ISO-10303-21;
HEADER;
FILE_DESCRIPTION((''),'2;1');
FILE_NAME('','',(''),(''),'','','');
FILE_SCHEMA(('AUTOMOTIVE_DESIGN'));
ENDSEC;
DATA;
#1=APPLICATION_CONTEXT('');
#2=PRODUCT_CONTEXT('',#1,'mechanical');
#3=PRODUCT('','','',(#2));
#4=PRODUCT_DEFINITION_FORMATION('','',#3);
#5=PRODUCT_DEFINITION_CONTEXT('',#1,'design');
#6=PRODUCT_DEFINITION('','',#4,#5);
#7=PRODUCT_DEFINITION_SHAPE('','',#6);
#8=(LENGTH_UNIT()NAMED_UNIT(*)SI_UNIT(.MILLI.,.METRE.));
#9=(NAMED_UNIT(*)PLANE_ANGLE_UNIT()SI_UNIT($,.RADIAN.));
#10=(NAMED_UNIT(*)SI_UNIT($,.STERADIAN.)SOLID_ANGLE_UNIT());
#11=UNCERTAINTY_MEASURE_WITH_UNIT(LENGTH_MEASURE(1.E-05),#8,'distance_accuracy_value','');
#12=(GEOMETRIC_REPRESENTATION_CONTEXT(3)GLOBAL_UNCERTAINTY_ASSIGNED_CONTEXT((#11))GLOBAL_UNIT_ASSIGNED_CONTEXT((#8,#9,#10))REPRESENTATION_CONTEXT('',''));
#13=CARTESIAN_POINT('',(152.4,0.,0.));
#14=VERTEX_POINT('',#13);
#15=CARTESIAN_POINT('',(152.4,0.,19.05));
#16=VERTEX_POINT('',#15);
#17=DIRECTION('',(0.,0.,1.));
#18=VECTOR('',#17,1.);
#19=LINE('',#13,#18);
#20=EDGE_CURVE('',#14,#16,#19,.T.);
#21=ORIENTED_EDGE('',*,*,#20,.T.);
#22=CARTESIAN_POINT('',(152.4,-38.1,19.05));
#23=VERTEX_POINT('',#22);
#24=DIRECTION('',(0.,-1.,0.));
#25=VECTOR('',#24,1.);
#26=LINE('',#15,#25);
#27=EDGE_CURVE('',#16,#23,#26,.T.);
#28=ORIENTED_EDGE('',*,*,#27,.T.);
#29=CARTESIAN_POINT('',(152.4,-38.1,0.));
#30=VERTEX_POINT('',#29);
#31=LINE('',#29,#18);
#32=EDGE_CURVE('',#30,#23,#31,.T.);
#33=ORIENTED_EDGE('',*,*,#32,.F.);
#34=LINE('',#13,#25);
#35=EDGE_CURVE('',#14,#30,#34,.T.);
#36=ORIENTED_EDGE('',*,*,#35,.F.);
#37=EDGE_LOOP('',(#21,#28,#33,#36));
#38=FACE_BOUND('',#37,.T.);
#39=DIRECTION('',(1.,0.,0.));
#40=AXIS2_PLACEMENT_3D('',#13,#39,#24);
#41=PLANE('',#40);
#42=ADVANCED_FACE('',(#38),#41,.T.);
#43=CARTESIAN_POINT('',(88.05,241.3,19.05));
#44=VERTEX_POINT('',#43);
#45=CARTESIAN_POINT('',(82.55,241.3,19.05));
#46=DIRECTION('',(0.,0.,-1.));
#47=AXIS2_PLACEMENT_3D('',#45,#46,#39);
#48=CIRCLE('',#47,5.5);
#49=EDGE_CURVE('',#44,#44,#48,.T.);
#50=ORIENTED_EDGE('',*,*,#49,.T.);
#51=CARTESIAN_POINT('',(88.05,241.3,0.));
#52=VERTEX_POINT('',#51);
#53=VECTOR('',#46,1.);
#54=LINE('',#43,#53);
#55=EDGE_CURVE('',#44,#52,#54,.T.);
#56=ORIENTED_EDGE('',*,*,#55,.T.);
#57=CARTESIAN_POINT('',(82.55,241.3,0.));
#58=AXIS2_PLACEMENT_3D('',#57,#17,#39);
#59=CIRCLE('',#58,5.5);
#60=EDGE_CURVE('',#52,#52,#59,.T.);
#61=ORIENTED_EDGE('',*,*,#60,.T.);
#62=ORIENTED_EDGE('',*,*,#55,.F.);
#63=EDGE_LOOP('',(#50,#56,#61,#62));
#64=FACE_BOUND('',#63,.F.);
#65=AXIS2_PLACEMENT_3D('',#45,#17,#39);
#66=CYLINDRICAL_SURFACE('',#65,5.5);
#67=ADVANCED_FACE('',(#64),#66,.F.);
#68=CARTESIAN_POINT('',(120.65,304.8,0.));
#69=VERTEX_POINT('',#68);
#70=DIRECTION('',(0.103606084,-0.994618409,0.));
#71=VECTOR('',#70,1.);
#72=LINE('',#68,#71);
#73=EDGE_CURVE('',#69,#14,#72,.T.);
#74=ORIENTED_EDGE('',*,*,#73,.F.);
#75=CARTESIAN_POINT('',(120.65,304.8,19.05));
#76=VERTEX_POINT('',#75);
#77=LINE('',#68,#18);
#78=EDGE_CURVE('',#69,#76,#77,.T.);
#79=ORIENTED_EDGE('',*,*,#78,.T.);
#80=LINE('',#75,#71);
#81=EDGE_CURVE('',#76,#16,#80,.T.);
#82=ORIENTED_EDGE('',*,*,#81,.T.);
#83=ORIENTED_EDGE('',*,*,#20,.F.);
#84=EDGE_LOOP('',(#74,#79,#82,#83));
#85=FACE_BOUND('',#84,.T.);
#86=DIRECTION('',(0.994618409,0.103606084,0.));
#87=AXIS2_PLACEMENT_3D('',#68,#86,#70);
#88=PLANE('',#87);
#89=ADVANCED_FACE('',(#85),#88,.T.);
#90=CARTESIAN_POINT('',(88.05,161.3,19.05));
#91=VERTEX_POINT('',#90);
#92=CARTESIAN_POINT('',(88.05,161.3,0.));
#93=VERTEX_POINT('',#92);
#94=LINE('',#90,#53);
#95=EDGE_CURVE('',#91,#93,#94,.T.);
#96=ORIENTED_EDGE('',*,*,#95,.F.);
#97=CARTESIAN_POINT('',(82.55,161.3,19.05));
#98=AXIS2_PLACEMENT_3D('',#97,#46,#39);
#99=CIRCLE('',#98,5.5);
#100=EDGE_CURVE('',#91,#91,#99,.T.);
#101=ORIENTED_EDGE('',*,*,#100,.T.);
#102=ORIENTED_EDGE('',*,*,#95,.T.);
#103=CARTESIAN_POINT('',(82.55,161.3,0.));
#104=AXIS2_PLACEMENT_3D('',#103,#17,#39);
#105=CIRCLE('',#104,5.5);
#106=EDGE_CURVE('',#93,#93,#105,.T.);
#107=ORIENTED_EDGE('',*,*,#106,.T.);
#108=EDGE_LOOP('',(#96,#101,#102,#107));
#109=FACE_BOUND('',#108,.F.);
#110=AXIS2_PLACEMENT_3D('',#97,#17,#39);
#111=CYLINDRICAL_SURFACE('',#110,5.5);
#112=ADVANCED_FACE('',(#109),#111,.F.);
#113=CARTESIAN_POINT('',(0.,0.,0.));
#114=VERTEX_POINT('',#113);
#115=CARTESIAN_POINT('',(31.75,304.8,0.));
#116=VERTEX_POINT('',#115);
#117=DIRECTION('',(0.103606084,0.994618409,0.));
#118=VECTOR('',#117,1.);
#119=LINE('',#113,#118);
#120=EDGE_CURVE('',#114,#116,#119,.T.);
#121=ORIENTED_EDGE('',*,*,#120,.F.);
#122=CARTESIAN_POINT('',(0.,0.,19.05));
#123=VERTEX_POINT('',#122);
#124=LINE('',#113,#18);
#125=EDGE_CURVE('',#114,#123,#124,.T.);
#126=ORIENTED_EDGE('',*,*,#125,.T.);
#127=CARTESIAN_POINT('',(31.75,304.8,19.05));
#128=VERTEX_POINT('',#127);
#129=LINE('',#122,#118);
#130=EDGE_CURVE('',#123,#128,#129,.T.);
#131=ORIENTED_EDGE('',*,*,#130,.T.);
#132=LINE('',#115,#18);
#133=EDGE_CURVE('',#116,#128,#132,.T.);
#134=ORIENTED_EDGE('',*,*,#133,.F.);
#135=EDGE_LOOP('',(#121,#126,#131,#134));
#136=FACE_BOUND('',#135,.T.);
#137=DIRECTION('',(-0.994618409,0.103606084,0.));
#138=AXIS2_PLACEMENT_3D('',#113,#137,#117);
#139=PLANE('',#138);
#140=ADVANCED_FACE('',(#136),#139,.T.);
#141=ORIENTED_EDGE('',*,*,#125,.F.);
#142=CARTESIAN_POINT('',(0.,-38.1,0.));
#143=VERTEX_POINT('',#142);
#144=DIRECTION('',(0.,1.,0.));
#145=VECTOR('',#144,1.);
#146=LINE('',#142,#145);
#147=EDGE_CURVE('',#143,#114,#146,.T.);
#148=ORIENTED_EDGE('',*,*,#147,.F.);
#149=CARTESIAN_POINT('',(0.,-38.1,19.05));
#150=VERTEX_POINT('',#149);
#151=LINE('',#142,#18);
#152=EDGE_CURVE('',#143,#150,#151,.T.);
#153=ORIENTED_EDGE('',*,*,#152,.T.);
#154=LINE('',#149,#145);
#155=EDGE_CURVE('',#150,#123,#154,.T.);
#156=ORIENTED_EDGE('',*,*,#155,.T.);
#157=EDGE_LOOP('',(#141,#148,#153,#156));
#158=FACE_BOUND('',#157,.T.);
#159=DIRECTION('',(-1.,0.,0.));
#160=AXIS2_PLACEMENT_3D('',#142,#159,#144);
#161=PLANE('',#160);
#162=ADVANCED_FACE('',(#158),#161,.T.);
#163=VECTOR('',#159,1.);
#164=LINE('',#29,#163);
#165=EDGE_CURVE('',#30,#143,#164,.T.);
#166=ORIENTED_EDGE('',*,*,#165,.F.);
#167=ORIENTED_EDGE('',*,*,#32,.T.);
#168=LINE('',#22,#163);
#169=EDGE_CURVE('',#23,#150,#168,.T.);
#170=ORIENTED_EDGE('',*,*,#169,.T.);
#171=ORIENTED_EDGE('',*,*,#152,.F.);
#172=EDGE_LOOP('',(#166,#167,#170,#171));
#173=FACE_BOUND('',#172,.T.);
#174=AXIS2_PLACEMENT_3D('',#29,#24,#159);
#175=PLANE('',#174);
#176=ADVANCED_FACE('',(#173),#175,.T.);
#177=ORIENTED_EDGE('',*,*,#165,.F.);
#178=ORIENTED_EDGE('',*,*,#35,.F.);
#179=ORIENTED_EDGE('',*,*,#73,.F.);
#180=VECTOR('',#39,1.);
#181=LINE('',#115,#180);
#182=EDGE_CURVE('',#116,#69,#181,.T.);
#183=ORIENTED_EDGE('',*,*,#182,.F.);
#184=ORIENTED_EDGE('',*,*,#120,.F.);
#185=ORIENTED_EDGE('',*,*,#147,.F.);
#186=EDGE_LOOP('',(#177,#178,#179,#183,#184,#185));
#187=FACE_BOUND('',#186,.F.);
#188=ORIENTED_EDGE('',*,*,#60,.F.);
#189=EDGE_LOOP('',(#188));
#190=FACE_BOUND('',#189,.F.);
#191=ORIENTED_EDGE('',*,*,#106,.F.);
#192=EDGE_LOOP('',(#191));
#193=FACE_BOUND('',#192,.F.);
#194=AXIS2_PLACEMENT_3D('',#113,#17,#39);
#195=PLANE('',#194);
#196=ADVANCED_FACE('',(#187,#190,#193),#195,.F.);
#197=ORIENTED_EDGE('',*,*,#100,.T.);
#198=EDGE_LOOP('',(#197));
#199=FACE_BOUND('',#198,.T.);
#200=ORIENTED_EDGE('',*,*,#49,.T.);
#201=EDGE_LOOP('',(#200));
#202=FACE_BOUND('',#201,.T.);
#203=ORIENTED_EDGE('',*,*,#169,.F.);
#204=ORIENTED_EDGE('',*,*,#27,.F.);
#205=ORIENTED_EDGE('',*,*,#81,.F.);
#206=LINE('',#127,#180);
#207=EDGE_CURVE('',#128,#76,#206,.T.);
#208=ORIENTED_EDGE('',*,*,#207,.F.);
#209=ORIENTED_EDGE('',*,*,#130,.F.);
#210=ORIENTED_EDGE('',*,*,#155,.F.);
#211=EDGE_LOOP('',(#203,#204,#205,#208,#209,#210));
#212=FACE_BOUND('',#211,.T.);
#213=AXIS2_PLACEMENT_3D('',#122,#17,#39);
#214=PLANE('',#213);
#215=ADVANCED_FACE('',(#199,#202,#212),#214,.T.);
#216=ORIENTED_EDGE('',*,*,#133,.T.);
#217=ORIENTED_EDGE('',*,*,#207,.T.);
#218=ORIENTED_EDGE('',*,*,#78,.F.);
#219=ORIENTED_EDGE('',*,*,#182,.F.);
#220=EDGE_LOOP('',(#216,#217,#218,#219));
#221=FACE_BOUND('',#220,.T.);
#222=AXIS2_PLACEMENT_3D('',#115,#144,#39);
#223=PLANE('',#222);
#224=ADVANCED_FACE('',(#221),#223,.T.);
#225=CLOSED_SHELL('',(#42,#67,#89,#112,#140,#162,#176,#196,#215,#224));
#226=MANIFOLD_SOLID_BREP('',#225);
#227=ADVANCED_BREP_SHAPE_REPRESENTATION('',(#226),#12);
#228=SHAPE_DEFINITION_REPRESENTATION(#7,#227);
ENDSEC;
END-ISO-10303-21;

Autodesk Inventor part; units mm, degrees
ref_plane "YZ Plane" through (0, 0, 0) normal (1, 0, 0) x (0, 1, 0)
ref_plane "XZ Plane" through (0, 0, 0) normal (0, 1, 0) x (-1, 0, 0)
ref_plane "XY Plane" through (0, 0, 0) normal (0, 0, 1) x (1, 0, 0)
sketch "Sketch1" plane through (0, 0, 0) normal (0, 0, 1) x (1, 0, 0)
  line L0 (0, 0) -> (152.4, 0)
  line L1 (152.4, 0) -> (152.4, -38.1)
  line L2 (152.4, -38.1) -> (0, -38.1)
  line L3 (0, -38.1) -> (0, 0)
  line L4 (0, 0) -> (31.75, 304.8)
  line L5 (31.75, 304.8) -> (120.65, 304.8)
  line L6 (120.65, 304.8) -> (152.4, 0)
  dimension "d0" = 152.4
  dimension "d1" = 38.1
  dimension "d2" = 88.9
  dimension "d3" = 31.75
  dimension "d4" = 304.8
extrude "Extrusion1" add sketch "Sketch1" along normal blind 19.05
sketch "Sketch2" plane through (0, 0, 19.05) normal (0, 0, 1) x (1, 0, 0)
  circle A0 centre (82.55, 241.3) radius 5.5
  circle A1 centre (82.55, 161.3) radius 5.5
  line L0 (82.55, 241.3) -> (82.55, 161.3)
  line L1 (120.65, 304.8) -> (31.75, 304.8) projected
  point P0 (0, 0)
  dimension "d7" = 11
  dimension "d8" = 11
  dimension "d9" = 80
  dimension "d10" = 63.5
  dimension "d11" = 50.8
extrude "Extrusion2" cut sketch "Sketch2" against normal blind 19.05
equation "\"d3\" = -0.5 * d2 + 0.5 * d0"
properties part number "Gantry Panel"
